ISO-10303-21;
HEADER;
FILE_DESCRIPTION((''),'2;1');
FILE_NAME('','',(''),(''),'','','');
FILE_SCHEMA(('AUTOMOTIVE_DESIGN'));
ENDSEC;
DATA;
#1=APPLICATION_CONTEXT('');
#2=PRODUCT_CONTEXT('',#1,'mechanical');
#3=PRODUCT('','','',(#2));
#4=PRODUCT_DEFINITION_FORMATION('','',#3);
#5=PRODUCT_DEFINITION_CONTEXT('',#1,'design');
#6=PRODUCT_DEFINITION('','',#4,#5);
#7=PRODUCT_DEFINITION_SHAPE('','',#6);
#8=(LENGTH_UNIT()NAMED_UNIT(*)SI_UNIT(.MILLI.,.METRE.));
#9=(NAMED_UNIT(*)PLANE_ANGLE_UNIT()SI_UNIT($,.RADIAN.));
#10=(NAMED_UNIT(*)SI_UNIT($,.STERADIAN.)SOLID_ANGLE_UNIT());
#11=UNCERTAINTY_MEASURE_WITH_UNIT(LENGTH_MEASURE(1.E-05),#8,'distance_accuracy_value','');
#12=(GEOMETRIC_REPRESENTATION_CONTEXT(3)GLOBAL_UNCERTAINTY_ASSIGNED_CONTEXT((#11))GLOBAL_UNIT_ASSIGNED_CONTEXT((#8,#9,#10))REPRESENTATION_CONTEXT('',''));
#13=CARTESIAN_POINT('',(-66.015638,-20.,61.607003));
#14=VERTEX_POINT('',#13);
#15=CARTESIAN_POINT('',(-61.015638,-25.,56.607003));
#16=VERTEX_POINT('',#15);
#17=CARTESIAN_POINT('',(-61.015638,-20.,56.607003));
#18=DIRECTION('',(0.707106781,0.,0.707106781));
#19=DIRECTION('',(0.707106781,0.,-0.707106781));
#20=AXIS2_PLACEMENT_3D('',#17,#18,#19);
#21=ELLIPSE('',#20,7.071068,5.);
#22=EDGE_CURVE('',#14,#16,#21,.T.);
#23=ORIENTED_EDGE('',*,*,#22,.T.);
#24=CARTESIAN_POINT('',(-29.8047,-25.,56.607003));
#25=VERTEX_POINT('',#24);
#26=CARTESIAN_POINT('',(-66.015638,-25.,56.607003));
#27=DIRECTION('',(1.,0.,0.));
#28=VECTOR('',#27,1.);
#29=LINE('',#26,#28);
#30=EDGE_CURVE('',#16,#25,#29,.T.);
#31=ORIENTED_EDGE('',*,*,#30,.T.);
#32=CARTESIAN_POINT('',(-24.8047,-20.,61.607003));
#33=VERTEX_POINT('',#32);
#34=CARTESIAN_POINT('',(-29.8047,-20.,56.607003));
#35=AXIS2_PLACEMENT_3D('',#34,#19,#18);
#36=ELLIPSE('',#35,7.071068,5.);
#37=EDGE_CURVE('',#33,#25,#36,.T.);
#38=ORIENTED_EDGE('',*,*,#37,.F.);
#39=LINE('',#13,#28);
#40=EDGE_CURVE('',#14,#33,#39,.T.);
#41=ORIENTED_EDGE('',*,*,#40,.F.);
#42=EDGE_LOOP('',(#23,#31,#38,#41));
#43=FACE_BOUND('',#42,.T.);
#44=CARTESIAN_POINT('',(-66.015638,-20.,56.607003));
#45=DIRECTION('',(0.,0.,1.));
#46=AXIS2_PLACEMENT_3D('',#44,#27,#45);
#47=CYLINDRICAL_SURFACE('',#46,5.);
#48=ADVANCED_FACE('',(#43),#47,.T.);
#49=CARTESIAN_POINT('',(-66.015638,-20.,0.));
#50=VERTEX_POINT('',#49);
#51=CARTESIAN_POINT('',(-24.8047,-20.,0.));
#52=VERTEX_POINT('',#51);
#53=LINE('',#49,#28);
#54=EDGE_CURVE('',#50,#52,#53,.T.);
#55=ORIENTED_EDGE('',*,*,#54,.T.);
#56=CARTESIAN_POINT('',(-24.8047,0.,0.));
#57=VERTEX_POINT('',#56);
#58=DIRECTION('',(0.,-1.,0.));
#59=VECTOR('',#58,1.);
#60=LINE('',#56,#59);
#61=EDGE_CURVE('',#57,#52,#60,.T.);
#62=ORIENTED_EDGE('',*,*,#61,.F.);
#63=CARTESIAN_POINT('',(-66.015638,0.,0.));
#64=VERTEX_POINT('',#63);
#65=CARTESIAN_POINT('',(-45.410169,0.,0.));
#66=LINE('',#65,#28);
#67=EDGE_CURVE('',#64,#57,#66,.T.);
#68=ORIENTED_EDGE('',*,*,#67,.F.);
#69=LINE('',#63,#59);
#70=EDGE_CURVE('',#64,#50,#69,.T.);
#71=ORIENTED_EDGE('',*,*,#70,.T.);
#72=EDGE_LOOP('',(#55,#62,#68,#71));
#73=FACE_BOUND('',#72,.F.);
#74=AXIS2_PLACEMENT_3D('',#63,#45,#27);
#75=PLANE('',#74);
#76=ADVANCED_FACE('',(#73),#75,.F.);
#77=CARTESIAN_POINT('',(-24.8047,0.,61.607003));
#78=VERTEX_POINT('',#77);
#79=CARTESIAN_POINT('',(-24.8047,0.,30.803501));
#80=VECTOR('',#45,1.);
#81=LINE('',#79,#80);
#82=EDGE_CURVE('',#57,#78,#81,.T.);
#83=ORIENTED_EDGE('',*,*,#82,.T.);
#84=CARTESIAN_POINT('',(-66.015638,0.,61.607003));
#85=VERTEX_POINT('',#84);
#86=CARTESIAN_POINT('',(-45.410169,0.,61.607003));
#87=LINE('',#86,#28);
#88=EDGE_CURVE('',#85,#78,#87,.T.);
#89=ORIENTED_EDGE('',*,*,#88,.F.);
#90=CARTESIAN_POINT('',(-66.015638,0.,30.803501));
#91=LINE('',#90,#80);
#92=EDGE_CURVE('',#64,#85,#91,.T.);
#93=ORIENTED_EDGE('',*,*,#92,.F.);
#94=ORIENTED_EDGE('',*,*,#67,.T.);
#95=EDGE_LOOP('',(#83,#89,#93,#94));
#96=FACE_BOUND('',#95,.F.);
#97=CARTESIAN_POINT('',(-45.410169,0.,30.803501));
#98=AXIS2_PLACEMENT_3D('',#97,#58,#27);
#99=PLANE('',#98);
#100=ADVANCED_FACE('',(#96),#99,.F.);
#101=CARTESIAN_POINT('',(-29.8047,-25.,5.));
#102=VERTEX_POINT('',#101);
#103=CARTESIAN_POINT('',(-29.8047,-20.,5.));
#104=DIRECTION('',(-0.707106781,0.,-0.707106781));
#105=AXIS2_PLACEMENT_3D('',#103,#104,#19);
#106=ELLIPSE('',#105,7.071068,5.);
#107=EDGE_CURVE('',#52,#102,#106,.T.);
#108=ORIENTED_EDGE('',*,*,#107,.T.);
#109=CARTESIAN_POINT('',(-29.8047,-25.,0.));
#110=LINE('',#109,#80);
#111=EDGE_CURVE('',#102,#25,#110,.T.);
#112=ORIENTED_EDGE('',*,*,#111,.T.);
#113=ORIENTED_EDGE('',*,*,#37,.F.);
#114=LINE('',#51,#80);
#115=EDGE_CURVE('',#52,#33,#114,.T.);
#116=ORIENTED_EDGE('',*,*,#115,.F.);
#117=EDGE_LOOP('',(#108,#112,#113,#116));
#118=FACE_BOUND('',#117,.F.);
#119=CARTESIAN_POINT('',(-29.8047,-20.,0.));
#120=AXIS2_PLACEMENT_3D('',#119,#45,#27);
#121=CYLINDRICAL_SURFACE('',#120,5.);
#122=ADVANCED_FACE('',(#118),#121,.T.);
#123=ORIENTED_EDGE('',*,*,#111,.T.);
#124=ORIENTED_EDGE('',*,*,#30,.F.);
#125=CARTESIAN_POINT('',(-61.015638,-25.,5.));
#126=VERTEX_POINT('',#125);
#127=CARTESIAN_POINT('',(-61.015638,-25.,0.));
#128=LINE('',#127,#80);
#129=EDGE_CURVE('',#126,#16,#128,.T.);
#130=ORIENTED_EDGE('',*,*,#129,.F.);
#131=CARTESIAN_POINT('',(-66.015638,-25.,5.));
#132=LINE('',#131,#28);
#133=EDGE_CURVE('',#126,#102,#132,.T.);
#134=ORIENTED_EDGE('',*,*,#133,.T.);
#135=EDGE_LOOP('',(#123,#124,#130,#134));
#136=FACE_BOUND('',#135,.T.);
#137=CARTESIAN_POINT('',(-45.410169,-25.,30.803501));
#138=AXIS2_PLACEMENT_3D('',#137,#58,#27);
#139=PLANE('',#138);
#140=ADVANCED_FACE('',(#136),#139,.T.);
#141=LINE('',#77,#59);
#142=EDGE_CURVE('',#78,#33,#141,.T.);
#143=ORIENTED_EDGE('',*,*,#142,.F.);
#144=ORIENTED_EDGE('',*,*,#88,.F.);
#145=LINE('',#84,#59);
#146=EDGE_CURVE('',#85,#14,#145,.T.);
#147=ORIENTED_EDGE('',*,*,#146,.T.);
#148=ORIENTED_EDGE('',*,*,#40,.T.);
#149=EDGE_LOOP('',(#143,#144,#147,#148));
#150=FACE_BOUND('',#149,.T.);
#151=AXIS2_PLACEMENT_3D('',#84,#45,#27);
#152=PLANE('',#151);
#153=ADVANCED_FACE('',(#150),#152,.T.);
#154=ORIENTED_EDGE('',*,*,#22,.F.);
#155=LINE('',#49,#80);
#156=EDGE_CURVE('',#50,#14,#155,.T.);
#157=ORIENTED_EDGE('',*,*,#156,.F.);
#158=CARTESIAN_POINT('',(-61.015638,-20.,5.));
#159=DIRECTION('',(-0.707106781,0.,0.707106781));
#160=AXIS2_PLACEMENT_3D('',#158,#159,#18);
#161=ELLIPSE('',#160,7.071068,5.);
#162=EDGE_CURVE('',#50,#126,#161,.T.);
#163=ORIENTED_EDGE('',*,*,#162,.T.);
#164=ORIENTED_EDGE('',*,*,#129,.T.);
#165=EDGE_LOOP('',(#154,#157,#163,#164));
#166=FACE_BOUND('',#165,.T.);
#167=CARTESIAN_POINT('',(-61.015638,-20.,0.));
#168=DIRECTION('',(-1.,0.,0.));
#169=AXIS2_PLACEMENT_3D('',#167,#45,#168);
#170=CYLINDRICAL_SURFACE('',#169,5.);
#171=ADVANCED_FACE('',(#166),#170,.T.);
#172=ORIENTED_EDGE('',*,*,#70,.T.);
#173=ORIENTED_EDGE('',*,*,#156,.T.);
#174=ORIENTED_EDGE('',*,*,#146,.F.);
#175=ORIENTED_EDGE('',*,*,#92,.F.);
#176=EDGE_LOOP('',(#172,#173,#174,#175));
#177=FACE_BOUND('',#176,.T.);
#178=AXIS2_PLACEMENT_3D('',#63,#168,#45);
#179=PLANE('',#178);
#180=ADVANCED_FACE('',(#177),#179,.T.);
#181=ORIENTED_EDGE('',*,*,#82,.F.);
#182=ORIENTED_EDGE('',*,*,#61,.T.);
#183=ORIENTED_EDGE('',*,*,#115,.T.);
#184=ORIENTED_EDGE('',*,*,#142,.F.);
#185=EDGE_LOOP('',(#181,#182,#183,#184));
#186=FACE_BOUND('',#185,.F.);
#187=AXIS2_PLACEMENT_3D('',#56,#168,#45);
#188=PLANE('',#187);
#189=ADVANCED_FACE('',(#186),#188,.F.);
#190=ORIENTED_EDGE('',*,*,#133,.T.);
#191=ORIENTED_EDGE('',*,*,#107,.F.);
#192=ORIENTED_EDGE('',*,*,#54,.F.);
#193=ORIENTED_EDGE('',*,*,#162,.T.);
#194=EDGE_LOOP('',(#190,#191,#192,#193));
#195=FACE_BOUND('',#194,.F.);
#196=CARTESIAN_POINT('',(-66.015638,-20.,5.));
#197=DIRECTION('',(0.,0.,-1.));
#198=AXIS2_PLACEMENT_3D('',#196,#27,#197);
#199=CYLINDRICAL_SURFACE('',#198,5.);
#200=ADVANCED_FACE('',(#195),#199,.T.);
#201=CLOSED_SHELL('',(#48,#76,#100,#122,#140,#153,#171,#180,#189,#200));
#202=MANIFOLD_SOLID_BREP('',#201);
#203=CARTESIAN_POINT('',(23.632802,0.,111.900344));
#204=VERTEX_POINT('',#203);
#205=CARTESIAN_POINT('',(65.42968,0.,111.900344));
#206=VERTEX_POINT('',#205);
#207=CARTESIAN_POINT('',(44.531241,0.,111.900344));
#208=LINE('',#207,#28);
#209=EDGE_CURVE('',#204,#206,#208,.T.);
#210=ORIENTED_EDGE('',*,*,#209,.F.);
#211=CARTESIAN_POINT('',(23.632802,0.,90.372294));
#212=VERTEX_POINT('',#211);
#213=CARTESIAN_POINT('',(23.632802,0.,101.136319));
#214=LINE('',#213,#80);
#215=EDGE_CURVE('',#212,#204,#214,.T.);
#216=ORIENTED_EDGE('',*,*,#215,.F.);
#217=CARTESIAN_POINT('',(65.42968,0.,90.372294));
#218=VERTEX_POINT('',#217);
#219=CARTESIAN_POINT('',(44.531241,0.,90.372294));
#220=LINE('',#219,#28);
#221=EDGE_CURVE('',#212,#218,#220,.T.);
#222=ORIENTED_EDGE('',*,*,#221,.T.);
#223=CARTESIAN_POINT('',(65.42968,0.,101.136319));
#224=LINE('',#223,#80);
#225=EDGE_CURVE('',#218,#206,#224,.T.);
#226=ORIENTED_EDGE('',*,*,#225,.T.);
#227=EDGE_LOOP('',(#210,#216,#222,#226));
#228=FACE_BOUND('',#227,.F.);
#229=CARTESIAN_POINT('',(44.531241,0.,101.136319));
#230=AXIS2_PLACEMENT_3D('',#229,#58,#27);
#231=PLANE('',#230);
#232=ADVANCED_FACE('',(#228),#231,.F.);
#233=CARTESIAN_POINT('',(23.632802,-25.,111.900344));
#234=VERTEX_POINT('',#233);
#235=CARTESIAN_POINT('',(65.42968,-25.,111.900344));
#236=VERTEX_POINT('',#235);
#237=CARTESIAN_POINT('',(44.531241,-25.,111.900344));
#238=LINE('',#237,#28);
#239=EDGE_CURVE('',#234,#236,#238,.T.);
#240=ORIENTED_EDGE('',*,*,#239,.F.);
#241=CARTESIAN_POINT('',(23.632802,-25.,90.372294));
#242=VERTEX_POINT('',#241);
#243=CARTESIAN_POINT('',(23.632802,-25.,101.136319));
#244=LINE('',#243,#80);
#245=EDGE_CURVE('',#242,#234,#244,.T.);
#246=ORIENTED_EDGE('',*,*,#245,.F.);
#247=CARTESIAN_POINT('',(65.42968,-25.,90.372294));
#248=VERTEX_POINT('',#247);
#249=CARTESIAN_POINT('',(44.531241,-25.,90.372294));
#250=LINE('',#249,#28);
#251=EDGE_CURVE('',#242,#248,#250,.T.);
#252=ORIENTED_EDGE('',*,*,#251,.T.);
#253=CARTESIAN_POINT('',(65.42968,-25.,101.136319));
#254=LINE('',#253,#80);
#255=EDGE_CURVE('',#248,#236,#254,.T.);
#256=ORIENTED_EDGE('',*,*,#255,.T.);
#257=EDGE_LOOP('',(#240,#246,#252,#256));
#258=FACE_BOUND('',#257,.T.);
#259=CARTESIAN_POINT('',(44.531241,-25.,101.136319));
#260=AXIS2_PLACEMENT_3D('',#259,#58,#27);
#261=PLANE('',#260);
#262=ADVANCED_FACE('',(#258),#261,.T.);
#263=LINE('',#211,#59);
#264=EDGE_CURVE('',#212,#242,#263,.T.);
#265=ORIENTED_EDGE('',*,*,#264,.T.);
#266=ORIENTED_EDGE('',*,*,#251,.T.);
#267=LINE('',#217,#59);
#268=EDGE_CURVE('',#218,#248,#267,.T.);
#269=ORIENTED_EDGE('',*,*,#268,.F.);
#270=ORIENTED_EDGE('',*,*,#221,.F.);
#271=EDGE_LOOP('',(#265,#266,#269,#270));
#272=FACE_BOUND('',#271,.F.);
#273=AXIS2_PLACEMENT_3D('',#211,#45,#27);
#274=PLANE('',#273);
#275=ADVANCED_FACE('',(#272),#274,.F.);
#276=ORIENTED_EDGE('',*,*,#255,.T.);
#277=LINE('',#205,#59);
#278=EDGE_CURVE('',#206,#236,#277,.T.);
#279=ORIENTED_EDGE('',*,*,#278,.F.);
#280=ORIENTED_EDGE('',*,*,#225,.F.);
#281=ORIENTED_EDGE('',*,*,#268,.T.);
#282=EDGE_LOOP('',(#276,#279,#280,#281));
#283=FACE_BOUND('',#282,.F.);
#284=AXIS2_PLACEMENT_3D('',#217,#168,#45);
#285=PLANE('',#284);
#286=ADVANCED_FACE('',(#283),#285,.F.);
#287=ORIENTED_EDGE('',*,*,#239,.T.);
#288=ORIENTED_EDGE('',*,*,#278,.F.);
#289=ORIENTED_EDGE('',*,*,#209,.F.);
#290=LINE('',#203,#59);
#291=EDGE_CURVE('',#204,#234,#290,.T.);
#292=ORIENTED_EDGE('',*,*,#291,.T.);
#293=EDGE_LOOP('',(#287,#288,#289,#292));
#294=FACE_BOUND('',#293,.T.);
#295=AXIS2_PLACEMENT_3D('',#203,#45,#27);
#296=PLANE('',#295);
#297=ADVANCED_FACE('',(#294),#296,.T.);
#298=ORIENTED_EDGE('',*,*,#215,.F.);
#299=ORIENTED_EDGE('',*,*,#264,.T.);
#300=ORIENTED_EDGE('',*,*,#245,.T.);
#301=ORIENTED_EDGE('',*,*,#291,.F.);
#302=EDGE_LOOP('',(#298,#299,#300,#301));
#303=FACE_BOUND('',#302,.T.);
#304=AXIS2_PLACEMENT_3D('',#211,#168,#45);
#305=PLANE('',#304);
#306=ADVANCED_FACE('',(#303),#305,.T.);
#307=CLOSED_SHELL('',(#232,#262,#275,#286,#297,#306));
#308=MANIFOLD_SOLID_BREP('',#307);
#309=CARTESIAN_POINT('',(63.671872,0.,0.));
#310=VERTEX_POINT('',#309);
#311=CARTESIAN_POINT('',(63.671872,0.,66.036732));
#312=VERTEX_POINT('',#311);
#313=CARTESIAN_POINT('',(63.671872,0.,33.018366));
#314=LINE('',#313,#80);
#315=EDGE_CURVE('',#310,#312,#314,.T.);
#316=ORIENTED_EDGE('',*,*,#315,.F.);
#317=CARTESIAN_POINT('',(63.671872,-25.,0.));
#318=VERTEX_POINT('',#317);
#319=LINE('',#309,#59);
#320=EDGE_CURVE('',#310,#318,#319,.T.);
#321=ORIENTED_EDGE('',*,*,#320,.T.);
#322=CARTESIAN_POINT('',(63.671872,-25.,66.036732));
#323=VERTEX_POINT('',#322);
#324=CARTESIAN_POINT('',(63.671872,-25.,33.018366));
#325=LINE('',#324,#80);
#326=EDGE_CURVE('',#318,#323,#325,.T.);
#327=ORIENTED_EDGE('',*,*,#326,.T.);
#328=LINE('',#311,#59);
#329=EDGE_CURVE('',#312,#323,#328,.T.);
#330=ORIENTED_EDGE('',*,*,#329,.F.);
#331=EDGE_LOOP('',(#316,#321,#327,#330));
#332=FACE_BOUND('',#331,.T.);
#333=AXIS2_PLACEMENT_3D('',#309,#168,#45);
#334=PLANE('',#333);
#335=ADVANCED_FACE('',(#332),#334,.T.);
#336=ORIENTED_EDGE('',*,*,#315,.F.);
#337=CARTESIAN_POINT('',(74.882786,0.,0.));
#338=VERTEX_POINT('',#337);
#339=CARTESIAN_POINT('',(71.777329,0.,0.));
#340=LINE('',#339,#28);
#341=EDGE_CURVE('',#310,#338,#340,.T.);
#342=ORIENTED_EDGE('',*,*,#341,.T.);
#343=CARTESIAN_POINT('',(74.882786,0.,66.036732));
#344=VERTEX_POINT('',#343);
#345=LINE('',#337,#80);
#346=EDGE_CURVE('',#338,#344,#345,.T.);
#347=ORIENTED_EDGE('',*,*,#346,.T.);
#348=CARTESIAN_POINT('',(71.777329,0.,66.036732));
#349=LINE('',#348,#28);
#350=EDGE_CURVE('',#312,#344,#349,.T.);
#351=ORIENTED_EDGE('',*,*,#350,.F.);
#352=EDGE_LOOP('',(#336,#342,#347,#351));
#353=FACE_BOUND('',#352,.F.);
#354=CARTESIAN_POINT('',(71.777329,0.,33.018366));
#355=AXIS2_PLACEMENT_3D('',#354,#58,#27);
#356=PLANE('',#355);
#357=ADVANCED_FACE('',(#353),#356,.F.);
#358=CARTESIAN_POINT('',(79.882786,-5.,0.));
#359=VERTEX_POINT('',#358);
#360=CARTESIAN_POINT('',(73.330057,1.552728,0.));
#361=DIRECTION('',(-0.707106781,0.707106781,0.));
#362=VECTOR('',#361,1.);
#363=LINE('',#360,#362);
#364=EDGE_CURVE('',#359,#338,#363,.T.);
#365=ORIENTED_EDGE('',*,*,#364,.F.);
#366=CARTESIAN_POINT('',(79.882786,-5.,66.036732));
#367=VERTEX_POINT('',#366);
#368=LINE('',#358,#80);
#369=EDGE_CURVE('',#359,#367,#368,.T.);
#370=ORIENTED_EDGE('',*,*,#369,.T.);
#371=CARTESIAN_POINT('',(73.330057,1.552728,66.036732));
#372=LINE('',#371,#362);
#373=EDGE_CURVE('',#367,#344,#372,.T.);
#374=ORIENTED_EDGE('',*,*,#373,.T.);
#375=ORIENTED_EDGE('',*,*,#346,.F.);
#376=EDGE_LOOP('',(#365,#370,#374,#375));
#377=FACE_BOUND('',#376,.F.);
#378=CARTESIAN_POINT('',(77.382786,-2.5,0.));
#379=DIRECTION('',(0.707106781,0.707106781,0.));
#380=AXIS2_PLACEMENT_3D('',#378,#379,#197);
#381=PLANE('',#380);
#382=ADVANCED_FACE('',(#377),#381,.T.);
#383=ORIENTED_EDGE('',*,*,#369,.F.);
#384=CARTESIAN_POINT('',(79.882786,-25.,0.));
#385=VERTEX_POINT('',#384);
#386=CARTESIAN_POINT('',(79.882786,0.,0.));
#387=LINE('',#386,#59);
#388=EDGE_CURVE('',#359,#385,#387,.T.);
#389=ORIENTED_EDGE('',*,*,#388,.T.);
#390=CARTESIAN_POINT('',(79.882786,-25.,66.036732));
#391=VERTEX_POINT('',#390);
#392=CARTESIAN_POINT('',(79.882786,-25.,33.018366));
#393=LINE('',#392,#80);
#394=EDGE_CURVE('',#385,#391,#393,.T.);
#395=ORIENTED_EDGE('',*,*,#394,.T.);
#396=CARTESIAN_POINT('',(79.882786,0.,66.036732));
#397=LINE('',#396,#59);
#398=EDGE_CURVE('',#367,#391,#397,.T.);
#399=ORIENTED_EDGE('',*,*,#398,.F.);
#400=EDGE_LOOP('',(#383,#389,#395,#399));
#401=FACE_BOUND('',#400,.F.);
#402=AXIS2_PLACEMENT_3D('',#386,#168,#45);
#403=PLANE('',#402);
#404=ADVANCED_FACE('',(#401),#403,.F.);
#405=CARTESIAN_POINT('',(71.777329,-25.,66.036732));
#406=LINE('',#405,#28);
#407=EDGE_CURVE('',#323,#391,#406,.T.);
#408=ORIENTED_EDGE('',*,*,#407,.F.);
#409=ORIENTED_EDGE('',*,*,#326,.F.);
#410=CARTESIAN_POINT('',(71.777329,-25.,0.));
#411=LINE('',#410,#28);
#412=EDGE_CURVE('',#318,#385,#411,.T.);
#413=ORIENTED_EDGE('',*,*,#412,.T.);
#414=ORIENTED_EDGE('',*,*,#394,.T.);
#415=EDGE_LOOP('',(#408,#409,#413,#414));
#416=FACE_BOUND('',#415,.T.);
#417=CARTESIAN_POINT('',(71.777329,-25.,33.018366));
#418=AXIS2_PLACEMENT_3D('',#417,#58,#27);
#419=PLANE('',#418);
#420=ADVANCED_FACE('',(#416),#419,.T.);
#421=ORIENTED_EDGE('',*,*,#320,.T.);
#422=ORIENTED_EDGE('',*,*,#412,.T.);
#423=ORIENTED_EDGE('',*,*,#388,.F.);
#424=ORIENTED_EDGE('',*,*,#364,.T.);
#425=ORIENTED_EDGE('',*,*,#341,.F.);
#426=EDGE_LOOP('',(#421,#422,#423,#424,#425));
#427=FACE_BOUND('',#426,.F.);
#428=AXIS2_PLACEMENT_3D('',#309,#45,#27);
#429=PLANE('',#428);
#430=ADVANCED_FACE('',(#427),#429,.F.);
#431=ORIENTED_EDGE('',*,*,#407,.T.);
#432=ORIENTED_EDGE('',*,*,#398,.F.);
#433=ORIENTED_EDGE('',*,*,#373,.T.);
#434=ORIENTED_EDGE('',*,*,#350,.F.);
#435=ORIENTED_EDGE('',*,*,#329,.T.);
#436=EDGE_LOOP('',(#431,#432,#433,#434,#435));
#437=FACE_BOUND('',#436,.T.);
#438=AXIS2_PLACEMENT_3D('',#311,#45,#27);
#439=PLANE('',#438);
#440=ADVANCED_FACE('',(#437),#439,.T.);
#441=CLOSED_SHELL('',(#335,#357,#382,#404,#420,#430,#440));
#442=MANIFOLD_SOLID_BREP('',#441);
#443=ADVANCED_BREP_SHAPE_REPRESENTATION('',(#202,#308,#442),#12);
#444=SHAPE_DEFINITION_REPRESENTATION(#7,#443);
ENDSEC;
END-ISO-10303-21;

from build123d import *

# Parameters (mm, degrees)
F0_W     = 41.210938
F0_H     = 61.607003
F1_DEPTH = 25
F0_W_2   = 16.210914
F0_H_2   = 66.036731
F2_DEPTH = 25
F0_W_3   = 41.796878
F0_H_3   = 21.52805
F3_DEPTH = 25
F4_R     = 5
F5_SIZE  = 5


with BuildPart() as f1:
    # F0 (on Front) → F1 (new body)
    with BuildSketch(Plane.XZ):
        with Locations((-45.410169, 30.803501)):
            Rectangle(F0_W, F0_H)
    extrude(amount=F1_DEPTH)

    # F4
    f4_edges = [f1.edges().sort_by_distance(p)[0] for p in [
        (-45.410169, -25, 61.607003),
        (-66.015638, -25, 30.803502),
        (-45.410169, -25, 0),
        (-24.8047, -25, 30.803502),
    ]]
    fillet(f4_edges, radius=F4_R)


with BuildPart() as f2:
    # F0 (on Front) → F2 (new body)
    with BuildSketch(Plane.XZ):
        with Locations((71.777329, 33.018366)):
            Rectangle(F0_W_2, F0_H_2)
    extrude(amount=F2_DEPTH)

    # F5
    f5_edges = [f2.edges().sort_by_distance(p)[0] for p in [
        (79.882786, 0, 33.018366),
    ]]
    chamfer(f5_edges, length=F5_SIZE)


with BuildPart() as f3:
    # F0 (on Front) → F3 (new body)
    with BuildSketch(Plane.XZ):
        with Locations((44.531241, 101.136319)):
            Rectangle(F0_W_3, F0_H_3)
    extrude(amount=F3_DEPTH)


solid = Compound([f1.part, f2.part, f3.part])
